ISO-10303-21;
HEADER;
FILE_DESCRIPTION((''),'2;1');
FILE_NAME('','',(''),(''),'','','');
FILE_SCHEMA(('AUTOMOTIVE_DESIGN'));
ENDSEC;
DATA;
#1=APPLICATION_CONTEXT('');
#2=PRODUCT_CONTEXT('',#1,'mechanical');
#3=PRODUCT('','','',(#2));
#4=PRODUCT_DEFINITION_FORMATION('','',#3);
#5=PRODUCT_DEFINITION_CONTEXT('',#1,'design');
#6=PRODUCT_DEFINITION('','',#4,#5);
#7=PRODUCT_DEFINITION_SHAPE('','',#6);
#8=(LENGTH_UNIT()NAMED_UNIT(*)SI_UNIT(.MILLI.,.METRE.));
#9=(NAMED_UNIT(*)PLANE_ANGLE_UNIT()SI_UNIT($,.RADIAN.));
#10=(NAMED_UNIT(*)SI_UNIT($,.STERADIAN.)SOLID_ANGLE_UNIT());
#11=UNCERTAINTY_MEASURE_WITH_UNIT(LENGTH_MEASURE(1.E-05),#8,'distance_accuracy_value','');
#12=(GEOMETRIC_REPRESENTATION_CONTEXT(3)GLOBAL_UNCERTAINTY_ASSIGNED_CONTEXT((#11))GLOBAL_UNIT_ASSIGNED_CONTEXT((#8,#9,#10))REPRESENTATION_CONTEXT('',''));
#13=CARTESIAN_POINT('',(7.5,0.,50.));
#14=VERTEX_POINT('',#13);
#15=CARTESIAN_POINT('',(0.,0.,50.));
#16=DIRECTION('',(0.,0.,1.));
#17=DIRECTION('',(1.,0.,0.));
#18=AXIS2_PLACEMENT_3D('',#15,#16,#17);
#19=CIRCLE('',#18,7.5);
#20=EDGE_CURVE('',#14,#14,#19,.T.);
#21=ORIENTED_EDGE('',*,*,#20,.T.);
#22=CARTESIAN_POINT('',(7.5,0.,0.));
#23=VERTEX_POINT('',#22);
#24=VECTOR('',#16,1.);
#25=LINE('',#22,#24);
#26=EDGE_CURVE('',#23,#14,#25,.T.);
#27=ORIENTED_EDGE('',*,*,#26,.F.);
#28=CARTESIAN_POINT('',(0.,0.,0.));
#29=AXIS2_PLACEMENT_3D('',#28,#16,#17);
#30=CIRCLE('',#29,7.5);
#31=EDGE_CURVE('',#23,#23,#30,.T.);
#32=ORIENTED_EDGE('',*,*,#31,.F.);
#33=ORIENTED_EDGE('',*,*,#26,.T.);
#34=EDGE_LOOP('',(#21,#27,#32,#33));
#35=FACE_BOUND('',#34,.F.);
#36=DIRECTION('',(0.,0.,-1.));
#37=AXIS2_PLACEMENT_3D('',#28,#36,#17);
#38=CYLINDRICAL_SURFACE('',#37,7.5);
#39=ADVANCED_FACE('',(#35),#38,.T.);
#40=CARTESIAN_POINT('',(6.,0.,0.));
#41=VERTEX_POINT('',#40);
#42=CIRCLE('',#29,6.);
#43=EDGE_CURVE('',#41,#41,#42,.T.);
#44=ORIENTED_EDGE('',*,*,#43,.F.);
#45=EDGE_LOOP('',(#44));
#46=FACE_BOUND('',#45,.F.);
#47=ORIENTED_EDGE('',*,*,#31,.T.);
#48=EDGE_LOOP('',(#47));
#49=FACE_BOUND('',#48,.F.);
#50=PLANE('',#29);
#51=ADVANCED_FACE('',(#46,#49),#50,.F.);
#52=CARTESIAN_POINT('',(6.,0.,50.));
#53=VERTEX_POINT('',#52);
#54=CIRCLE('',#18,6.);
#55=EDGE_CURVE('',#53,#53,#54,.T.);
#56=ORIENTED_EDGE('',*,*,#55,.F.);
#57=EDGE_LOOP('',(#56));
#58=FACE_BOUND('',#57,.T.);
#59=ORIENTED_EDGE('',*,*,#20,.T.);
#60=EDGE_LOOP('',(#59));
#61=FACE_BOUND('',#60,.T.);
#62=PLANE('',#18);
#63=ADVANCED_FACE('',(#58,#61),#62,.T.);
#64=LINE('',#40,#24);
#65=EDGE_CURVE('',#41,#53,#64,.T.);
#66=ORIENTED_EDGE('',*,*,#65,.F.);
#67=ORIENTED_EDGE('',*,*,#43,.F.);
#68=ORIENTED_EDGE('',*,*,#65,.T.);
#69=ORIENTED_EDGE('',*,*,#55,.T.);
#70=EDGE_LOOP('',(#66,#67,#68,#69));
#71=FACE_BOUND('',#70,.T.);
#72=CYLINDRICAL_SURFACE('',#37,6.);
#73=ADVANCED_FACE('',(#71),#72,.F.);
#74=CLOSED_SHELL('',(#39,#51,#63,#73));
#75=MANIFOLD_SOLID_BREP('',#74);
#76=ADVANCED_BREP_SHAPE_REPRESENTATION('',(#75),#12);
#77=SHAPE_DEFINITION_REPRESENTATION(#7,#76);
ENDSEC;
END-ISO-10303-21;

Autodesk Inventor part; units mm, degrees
ref_plane "YZ Plane" through (0, 0, 0) normal (1, 0, 0) x (0, 1, 0)
ref_plane "XZ Plane" through (0, 0, 0) normal (0, 1, 0) x (-1, 0, 0)
ref_plane "XY Plane" through (0, 0, 0) normal (0, 0, 1) x (1, 0, 0)
sketch "Sketch1" plane through (0, 0, 0) normal (0, 0, 1) x (1, 0, 0)
  circle A0 centre (0, 0) radius 6
  circle A1 centre (0, 0) radius 7.5
  dimension "d0" = 12
  dimension "d2" = 1.5
extrude "Extrusion1" add sketch "Sketch1" along normal blind 50
properties part number "Tavolsagtarto"
